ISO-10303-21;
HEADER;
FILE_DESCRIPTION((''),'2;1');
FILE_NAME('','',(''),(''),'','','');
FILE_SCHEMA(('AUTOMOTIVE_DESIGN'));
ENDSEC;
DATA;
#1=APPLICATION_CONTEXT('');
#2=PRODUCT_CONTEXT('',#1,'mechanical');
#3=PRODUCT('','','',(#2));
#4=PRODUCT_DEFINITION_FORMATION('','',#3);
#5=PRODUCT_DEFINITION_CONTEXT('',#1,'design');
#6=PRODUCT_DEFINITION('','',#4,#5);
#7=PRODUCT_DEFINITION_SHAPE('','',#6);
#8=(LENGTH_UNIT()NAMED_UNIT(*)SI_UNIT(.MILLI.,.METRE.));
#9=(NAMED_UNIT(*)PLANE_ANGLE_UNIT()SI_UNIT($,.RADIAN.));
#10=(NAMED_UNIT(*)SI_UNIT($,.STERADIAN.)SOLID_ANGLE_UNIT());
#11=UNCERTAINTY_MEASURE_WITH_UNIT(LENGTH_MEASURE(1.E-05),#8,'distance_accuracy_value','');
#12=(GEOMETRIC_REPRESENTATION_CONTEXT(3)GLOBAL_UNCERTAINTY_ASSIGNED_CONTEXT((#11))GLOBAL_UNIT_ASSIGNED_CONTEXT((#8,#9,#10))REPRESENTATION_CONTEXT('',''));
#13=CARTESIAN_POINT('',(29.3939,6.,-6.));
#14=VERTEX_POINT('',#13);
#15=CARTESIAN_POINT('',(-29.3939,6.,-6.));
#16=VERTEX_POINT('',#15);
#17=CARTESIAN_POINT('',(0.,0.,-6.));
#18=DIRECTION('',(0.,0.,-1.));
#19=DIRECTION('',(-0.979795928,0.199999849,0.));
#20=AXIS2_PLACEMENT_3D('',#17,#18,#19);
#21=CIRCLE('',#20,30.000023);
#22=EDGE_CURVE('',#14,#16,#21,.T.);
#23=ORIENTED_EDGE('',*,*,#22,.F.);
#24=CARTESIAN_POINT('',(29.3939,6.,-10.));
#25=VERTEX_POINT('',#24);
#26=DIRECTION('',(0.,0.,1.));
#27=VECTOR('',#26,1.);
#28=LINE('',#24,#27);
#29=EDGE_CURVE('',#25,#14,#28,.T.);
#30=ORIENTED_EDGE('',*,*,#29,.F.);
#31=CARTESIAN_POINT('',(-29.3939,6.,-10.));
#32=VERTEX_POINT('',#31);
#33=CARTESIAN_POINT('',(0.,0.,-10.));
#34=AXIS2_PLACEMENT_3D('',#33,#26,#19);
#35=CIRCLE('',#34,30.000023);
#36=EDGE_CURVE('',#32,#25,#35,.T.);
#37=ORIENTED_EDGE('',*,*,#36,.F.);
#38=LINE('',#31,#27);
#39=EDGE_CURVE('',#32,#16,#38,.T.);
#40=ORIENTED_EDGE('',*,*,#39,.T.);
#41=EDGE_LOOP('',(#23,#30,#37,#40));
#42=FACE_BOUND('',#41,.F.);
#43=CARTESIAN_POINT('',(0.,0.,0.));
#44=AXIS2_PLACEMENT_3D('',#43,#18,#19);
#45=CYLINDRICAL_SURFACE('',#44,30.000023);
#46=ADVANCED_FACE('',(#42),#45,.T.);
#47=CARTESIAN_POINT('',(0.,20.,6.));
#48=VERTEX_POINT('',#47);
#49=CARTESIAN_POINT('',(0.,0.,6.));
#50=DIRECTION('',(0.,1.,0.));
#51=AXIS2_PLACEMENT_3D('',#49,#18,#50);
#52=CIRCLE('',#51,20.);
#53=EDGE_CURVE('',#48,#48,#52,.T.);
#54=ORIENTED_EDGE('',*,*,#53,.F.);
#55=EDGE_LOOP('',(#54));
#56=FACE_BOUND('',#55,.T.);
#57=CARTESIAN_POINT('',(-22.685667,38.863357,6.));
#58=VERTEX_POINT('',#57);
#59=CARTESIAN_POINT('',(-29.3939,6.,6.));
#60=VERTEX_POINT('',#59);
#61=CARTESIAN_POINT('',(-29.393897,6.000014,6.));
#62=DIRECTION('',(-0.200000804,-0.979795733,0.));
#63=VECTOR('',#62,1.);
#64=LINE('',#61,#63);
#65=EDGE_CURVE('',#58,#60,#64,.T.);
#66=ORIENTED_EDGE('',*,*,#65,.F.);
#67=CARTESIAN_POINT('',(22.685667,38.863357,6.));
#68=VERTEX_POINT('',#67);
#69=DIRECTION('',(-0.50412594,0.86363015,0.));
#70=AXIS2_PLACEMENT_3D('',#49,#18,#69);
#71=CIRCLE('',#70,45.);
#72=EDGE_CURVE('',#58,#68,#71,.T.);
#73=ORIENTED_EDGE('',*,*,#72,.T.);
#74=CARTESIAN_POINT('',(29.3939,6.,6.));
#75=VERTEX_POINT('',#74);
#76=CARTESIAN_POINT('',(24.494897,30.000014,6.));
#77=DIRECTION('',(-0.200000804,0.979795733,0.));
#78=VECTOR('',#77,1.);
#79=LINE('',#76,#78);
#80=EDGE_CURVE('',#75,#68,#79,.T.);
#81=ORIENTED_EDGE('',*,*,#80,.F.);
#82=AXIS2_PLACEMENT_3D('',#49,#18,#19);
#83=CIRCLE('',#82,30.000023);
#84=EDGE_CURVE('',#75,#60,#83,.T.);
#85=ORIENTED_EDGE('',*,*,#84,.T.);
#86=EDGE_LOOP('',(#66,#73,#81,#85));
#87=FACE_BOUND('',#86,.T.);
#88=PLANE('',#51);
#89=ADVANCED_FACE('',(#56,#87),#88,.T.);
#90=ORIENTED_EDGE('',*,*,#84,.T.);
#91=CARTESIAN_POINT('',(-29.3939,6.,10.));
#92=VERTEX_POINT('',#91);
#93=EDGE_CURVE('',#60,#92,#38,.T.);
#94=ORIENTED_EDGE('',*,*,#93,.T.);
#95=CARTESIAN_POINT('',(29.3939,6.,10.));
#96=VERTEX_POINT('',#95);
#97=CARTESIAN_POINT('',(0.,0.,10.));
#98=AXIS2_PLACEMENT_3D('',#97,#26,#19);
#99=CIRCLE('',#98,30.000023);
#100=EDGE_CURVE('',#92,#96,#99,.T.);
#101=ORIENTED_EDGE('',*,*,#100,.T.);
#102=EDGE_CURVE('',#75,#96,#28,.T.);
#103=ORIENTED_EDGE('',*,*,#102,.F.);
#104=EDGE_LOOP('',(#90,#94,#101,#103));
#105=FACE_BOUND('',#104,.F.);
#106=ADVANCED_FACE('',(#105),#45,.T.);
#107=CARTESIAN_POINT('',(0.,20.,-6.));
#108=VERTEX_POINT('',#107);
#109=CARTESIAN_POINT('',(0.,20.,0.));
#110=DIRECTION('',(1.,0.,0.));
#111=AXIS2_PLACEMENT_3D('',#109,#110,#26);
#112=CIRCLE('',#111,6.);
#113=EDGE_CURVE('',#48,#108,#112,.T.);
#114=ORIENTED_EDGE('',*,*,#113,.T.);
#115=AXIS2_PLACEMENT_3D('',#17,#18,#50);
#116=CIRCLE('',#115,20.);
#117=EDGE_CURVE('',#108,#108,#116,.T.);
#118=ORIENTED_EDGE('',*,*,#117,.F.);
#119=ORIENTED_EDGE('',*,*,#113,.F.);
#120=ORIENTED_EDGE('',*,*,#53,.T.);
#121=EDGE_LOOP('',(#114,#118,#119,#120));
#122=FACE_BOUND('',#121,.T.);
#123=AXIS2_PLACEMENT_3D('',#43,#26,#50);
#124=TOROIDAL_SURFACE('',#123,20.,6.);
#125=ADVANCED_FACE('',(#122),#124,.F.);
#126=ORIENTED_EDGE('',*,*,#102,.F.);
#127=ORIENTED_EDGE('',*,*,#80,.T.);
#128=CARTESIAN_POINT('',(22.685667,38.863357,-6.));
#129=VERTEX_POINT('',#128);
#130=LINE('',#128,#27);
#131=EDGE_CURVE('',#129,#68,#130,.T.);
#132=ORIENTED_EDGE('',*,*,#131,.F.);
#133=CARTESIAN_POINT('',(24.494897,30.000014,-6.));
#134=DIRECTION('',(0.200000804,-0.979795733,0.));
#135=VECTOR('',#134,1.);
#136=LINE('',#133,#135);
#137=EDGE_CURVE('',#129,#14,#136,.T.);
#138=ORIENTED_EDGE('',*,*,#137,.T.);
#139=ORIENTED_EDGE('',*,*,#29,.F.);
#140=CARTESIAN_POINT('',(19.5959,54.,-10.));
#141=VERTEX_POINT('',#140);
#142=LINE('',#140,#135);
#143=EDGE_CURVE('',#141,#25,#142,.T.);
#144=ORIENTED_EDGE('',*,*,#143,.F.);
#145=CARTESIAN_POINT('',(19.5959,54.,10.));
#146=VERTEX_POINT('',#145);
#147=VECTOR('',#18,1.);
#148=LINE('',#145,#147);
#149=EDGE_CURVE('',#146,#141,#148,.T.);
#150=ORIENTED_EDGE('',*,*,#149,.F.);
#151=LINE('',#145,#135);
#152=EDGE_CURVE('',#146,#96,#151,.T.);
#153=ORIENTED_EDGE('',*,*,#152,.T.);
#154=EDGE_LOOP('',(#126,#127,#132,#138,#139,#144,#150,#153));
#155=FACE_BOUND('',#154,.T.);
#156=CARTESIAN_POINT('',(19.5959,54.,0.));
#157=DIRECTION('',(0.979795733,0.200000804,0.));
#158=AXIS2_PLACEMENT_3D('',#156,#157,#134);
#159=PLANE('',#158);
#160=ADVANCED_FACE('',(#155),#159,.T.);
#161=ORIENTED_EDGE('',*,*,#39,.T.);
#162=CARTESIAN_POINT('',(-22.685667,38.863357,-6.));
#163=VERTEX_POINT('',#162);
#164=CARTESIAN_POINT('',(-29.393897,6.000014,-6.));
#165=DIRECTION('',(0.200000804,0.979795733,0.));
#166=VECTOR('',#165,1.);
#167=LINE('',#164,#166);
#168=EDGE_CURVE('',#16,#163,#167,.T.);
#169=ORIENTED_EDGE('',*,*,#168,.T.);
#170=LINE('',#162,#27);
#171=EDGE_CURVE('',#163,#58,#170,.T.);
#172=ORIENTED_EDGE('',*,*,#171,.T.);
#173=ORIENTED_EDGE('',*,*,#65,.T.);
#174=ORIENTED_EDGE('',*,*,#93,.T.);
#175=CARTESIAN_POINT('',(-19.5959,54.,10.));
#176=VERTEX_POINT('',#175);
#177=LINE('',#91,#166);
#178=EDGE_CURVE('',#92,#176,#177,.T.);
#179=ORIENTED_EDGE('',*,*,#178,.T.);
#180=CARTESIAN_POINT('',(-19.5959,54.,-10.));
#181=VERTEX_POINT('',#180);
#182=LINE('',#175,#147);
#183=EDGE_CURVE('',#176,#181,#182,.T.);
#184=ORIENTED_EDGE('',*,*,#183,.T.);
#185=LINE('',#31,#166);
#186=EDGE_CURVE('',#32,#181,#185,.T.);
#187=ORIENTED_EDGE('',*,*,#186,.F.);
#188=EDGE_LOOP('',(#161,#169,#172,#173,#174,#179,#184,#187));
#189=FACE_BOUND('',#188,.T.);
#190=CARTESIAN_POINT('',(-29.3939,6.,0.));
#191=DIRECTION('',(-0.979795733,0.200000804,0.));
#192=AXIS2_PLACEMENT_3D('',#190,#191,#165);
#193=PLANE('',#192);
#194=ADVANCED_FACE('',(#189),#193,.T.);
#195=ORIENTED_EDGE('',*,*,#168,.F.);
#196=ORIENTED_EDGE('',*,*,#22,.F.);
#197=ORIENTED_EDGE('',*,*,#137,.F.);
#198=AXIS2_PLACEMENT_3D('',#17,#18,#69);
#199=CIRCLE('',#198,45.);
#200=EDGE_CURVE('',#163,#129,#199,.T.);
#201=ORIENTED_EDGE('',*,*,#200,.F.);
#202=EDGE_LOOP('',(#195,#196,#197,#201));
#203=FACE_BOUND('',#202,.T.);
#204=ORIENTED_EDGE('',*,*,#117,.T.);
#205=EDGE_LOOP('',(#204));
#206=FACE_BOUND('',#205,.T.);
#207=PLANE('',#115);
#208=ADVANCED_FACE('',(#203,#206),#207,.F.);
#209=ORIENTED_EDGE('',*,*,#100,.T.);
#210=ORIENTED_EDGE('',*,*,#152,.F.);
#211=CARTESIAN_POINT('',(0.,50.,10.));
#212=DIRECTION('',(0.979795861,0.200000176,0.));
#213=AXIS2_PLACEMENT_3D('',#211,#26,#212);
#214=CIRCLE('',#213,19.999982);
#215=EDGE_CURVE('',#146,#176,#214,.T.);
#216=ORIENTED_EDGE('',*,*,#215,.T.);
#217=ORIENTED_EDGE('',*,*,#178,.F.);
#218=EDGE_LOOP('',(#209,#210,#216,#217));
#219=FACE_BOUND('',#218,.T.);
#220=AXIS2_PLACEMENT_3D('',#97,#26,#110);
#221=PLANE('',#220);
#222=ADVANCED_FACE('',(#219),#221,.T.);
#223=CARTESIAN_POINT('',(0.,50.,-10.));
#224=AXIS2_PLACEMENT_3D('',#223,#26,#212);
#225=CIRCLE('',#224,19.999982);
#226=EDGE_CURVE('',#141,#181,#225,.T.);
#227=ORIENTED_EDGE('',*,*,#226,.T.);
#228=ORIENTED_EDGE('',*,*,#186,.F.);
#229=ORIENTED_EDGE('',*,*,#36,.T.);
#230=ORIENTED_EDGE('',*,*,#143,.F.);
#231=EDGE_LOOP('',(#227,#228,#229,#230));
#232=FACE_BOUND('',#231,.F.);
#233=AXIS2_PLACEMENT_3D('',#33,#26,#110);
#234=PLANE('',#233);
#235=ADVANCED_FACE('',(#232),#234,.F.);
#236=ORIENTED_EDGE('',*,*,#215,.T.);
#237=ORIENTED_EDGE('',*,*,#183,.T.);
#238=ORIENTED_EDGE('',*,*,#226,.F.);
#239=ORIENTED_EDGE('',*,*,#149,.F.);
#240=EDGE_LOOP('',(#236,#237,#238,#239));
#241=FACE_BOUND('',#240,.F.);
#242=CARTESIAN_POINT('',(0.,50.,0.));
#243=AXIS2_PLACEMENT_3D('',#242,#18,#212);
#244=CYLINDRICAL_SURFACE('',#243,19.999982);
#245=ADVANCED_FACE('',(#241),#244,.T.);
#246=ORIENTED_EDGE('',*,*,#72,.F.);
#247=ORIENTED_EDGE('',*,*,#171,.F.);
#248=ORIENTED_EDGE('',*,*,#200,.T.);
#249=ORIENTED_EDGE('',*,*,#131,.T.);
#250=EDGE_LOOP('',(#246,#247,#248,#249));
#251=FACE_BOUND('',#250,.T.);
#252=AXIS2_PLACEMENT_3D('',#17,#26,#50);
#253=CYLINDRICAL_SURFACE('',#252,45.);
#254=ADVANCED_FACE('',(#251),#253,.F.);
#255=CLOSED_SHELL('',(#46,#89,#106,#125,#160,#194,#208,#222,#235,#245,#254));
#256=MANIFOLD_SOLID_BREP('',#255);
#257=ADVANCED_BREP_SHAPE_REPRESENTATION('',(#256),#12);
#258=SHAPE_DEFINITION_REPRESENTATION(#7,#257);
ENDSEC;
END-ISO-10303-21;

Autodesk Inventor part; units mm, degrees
ref_plane "YZ Plane" through (0, 0, 0) normal (1, 0, 0) x (0, 1, 0)
ref_plane "XZ Plane" through (0, 0, 0) normal (0, 1, 0) x (-1, 0, 0)
ref_plane "XY Plane" through (0, 0, 0) normal (0, 0, 1) x (1, 0, 0)
sketch "Sketch1" plane through (0, 0, 0) normal (0, 0, 1) x (1, 0, 0)
  arc A0 (-29.3939, 6) -> (29.3939, 6) centre (0, 0) ccw
  line L0 (-29.3939, 6) -> (-19.5959, 54)
  arc A1 (19.5959, 54) -> (-19.5959, 54) centre (0, 50) ccw
  line L1 (19.5959, 54) -> (29.3939, 6)
  dimension "d0" = 30
  dimension "d1" = 50
  dimension "d2" = 20
extrude "Extrusion1" add sketch "Sketch1" along normal mid plane 20
sketch "Sketch2" plane through (0, 0, 0) normal (1, 0, 0) x (0, 1, 0)
  line L0 (6, -10) -> (6, 10) projected
  line L1 (6, 10) -> (6, 10) projected
  line L2 (6, 10) -> (6, -10) projected
  line L3 (6, -10) -> (6, -10) projected
  line L4 (6, 10) -> (6, -10) projected
  line L5 (54, 10) -> (6, 10) projected
  line L6 (54, -10) -> (54, 10) projected
  line L7 (6, -10) -> (54, -10) projected
  line L8 (0, 26.5317) -> (0, -26.5317)
  line L9 (45, 6) -> (20, 6)
  arc A0 (20, 6) -> (20, -6) centre (20, 0) ccw
  line L10 (20, -6) -> (45, -6)
  line L11 (45, -6) -> (45, 6)
  point P0 (0, 0)
  point P1 (0, 0)
  dimension "d5" = 53.0634
  dimension "d6" = 40
  dimension "d7" = 12
  dimension "d8" = 90
revolve "Revolution1" cut sketch "Sketch2" angle 360 about axis through (0, 0, 26.5317) along (0, 0, -1) contours L11 L10 A0 L9
properties part number "katrol"
